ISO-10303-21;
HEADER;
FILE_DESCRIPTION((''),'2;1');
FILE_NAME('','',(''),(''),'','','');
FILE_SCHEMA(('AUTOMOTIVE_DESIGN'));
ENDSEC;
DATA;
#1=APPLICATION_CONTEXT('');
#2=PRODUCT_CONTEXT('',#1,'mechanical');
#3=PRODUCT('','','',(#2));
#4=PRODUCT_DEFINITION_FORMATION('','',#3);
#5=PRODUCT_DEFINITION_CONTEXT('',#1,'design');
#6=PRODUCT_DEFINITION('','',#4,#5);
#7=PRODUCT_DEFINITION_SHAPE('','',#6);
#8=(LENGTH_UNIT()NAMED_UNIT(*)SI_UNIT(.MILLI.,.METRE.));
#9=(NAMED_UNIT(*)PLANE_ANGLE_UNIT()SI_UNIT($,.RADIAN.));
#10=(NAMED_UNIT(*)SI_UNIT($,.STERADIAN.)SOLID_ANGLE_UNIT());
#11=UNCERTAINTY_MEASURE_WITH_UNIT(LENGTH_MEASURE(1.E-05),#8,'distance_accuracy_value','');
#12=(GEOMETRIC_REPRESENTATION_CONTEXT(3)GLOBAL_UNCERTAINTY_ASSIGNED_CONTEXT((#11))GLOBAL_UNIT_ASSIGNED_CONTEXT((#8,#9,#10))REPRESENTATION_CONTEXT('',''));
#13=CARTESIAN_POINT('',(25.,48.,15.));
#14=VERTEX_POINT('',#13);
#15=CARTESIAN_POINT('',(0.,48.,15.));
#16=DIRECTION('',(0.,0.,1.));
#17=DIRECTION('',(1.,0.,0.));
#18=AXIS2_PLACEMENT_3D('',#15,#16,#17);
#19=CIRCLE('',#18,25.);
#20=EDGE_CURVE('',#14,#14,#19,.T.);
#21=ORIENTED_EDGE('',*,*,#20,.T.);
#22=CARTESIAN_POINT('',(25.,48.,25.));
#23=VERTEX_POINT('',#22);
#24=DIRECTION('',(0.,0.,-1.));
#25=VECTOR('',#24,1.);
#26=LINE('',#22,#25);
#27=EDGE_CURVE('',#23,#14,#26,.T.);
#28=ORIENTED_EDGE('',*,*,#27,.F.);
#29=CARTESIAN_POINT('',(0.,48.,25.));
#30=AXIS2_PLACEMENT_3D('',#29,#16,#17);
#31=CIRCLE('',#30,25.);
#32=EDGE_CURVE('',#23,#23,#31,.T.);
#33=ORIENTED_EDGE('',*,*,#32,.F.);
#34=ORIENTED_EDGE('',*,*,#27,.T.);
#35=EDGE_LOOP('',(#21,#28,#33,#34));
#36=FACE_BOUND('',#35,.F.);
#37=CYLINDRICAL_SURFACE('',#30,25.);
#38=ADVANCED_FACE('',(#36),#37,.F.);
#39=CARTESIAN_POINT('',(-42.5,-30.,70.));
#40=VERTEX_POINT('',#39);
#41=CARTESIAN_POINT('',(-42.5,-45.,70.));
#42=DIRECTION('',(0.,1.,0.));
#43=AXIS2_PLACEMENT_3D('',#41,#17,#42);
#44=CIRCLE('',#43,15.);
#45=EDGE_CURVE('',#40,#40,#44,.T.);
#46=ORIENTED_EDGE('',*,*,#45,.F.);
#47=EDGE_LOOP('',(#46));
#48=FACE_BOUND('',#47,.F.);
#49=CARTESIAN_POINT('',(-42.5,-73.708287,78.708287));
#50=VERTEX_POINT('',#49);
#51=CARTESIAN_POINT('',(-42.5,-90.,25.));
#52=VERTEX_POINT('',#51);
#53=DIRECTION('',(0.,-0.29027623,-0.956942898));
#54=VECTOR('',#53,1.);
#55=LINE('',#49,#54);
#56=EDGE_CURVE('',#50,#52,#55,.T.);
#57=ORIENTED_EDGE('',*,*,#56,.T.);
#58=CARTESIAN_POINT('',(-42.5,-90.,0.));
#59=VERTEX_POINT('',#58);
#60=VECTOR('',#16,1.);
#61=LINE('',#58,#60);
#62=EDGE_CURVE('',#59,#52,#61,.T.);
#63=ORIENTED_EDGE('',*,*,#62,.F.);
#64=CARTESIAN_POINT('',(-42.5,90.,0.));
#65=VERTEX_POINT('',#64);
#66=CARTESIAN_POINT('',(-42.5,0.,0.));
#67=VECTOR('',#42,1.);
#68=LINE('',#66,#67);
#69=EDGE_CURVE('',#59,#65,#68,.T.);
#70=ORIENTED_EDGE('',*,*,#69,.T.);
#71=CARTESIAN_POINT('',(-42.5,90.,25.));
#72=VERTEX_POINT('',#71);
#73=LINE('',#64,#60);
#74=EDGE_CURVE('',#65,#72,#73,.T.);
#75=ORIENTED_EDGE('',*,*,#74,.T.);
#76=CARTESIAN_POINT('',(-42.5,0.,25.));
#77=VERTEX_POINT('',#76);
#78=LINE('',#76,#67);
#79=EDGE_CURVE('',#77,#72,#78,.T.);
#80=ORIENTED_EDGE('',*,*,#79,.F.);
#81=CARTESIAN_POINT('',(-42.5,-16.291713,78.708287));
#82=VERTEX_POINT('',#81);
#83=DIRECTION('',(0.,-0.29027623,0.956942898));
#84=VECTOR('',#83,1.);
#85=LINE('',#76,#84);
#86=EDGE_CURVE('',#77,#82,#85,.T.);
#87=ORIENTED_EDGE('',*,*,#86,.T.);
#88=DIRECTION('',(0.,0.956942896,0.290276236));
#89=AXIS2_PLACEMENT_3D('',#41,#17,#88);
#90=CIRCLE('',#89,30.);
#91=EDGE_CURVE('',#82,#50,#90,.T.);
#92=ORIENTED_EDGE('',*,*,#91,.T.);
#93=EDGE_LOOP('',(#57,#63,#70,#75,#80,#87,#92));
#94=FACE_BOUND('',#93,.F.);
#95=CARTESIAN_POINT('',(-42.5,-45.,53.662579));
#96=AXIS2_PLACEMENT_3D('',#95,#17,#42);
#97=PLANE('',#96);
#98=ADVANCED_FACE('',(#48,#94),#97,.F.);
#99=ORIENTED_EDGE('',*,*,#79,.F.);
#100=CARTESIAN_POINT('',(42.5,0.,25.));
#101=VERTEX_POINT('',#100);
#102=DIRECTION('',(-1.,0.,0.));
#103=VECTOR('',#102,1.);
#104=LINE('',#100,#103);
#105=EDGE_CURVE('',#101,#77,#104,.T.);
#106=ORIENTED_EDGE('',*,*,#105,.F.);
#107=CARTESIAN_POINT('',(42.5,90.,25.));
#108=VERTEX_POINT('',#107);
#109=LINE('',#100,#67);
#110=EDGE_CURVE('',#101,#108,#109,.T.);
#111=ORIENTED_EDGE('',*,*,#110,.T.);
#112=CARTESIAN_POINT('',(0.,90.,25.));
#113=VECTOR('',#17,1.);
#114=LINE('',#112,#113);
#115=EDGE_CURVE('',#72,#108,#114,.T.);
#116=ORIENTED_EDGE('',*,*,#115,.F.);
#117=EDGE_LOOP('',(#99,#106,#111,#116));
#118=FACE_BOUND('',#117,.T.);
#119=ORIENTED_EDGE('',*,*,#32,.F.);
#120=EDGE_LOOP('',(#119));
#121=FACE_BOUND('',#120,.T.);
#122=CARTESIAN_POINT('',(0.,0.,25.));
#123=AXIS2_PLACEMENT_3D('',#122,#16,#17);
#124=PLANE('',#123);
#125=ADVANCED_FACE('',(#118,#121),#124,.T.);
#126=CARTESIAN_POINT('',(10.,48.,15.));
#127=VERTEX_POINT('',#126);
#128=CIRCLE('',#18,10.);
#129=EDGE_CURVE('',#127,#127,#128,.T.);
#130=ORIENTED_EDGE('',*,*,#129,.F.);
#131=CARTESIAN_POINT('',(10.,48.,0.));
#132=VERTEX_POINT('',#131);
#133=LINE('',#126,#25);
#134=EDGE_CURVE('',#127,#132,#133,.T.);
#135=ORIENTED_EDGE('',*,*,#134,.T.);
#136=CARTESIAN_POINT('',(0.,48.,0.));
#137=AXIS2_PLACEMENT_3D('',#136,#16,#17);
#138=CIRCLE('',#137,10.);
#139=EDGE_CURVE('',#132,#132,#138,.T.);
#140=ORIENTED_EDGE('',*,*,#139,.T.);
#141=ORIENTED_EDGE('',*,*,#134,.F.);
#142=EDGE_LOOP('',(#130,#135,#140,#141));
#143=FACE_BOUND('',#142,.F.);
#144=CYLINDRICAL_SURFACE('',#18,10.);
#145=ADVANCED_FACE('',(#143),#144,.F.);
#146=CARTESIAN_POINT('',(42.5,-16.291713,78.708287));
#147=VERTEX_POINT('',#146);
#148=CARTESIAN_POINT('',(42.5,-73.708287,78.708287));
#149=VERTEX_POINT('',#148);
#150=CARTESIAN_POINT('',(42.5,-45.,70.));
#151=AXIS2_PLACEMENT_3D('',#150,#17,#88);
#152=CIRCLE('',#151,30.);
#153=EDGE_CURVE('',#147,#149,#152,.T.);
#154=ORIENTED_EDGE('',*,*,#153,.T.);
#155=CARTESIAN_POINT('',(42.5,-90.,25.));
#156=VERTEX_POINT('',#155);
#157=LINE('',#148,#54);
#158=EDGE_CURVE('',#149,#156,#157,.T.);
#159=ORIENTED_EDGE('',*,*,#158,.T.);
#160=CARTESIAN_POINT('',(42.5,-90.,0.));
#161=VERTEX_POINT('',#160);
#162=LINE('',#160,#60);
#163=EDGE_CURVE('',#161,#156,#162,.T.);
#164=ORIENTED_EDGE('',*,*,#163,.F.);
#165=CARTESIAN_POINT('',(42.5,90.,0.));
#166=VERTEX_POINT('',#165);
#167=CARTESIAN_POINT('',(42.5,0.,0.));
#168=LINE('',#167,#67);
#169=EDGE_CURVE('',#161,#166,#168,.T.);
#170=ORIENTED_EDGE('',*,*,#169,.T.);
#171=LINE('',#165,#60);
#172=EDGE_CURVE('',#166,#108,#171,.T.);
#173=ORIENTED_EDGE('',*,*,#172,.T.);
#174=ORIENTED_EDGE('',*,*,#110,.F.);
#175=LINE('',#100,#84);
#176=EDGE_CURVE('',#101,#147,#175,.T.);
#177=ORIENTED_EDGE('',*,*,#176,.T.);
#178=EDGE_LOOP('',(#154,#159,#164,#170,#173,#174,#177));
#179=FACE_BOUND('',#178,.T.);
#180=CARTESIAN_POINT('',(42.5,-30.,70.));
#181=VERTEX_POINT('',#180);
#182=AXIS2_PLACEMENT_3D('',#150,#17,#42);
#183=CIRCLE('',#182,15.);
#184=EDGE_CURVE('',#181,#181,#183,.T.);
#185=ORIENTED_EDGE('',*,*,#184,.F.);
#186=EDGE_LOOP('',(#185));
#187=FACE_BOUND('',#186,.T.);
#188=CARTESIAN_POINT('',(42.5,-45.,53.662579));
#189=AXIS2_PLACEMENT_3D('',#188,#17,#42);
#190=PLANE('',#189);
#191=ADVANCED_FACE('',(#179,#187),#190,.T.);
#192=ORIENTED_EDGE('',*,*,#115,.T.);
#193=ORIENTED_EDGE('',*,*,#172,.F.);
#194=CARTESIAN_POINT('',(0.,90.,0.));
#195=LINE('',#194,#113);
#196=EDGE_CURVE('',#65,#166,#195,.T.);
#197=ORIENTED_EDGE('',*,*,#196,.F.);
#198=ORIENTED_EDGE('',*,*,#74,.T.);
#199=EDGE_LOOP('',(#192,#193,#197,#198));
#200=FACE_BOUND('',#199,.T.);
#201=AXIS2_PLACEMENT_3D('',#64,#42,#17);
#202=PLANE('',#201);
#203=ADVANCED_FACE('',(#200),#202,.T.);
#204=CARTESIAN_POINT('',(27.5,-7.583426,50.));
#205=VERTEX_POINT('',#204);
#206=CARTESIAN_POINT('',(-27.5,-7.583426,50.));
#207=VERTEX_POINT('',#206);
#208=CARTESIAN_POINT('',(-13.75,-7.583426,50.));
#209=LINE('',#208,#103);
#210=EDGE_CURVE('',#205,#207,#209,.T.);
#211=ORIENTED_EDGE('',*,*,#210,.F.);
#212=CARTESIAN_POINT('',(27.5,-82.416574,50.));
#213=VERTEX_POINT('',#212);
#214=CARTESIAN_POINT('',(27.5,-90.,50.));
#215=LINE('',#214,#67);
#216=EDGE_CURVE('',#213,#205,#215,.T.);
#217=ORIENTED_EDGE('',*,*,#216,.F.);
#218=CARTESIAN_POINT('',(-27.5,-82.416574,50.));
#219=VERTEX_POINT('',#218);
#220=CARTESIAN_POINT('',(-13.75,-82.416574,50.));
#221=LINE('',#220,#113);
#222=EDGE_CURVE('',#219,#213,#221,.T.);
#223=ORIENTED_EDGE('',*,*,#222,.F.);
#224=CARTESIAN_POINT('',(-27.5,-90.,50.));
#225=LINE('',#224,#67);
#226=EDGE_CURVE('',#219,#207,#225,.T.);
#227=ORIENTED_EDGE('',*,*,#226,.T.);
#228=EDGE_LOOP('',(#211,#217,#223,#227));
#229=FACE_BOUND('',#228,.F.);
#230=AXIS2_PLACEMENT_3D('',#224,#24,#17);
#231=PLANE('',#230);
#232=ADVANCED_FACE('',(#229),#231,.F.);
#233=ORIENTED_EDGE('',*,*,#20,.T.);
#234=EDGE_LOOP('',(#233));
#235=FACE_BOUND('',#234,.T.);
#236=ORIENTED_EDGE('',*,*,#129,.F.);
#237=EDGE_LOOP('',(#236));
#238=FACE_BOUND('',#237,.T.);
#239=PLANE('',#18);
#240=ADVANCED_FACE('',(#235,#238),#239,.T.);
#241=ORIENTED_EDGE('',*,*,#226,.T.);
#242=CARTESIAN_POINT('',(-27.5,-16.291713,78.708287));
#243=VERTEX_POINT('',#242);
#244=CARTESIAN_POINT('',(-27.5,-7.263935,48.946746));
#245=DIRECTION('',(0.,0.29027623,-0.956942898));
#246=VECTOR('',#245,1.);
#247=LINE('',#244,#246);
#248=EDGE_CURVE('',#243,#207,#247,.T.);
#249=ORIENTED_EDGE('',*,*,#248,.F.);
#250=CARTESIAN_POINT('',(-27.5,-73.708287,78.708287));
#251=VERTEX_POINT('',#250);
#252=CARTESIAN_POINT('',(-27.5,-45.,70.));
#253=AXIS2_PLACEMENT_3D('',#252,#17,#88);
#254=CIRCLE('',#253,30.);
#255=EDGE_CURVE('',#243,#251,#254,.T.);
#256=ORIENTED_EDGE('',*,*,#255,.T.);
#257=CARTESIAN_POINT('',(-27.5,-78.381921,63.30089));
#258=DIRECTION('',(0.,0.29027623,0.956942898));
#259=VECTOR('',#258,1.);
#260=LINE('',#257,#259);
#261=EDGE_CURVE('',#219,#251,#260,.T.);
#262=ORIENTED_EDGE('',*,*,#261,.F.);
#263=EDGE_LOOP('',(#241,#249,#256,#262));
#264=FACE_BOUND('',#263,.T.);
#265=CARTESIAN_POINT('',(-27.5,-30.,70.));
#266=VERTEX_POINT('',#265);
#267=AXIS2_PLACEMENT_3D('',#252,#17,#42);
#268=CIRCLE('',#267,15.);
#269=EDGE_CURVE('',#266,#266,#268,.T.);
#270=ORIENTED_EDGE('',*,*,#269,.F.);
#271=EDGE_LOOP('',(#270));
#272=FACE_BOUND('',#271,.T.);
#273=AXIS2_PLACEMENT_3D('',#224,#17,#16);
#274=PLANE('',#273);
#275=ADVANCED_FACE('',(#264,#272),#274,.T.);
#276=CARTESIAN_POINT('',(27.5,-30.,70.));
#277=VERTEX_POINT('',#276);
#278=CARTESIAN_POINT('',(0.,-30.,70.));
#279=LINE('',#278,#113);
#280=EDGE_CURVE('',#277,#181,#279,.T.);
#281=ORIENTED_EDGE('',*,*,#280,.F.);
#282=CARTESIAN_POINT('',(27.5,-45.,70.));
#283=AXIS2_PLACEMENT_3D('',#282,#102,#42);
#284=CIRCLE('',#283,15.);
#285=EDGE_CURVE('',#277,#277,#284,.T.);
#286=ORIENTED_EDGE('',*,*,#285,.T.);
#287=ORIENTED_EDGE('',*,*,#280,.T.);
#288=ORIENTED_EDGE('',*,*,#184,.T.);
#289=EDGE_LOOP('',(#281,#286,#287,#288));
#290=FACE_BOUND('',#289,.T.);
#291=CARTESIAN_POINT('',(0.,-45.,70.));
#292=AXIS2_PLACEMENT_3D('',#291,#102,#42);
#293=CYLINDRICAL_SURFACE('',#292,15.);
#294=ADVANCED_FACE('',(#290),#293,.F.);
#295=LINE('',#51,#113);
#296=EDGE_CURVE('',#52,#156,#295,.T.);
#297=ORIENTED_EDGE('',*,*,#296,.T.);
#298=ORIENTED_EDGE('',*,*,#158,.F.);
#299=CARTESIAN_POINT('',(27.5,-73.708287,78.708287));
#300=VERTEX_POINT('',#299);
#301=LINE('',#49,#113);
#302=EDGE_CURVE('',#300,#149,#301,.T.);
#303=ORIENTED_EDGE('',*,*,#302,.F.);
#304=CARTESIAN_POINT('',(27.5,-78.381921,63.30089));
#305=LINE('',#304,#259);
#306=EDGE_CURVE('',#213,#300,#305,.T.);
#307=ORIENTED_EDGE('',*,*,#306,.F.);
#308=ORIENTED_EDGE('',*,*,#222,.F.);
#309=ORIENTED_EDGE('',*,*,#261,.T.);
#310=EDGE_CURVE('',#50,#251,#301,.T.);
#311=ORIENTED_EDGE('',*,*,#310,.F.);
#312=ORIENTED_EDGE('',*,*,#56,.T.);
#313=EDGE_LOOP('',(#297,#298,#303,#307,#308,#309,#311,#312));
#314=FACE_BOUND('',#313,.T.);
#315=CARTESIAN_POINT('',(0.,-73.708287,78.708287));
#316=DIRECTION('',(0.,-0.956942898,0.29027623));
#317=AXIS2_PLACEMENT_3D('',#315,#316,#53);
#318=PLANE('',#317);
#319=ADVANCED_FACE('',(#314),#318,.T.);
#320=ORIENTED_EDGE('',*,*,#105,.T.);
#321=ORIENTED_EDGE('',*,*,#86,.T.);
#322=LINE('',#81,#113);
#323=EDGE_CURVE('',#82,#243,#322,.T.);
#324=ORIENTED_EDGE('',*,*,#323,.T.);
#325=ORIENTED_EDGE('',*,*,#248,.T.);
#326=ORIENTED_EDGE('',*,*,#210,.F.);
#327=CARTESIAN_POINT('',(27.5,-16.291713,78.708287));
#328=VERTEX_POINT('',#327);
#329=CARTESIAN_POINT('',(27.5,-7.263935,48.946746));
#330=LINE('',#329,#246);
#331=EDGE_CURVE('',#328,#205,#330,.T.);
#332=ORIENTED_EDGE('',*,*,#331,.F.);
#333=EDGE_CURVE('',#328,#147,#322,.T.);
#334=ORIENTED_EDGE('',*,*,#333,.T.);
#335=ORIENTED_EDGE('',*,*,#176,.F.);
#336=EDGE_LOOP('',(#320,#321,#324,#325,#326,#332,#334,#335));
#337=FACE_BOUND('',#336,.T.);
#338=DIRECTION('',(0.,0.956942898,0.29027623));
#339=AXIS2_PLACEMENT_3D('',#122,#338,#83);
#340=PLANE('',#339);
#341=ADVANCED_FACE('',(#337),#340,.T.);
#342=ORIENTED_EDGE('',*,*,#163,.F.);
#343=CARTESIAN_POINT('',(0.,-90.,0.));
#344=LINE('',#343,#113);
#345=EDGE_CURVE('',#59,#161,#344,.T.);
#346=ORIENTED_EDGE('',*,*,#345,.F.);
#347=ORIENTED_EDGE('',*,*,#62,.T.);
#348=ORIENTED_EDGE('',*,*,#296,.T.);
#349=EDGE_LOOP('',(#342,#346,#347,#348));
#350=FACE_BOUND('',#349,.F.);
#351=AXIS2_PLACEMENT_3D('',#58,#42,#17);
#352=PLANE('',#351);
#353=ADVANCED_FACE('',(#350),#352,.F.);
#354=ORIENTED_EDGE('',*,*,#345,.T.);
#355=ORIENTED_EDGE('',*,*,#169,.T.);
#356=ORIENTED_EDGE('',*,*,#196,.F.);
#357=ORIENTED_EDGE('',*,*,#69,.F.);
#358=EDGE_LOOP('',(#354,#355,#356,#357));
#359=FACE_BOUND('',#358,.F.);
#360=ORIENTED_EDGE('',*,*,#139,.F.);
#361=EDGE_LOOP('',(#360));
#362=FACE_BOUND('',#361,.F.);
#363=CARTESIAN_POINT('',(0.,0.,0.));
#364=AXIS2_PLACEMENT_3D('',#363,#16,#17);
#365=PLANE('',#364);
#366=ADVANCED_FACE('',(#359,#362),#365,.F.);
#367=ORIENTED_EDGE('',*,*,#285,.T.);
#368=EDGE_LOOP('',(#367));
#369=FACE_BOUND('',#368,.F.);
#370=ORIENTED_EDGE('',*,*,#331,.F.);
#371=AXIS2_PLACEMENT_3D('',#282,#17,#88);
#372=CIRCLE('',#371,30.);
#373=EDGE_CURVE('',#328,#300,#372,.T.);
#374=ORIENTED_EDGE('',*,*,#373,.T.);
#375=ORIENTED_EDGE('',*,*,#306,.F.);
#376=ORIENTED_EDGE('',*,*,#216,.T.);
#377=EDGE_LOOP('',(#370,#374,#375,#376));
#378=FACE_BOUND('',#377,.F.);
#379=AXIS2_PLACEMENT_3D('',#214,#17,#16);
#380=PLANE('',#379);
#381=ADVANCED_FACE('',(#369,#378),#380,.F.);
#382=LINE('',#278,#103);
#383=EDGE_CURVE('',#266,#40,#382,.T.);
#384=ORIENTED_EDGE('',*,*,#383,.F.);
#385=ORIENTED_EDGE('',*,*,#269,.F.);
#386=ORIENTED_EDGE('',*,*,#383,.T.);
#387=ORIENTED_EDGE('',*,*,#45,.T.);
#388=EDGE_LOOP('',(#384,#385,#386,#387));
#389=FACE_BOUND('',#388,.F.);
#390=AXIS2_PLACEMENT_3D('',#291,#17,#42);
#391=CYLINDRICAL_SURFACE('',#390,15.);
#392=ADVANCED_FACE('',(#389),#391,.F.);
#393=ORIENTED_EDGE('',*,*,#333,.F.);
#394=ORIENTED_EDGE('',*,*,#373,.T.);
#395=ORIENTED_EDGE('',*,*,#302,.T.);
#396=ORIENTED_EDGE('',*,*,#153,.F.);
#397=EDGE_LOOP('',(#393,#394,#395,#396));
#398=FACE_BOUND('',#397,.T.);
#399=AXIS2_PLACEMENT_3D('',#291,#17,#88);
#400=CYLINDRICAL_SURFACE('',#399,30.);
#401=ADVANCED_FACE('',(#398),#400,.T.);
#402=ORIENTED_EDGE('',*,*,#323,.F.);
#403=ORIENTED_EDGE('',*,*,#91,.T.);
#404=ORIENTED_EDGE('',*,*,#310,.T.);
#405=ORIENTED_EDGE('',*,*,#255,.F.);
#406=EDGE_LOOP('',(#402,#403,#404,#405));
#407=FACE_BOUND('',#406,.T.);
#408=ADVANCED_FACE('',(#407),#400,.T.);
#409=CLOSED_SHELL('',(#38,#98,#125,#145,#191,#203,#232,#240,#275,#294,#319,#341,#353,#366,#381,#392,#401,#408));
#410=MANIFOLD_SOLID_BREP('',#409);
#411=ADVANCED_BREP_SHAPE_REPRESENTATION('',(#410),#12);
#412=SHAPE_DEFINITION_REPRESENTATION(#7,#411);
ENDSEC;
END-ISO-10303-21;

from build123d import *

# Parameters (mm, degrees)
F0_W          = 85
F0_H          = 180
F1_DEPTH      = 25
F2_R          = 15
F3_DEPTH      = 42.5
F3_DEPTH_BACK = 42.5
F4_W          = 55
F4_H          = 65
F5_DEPTH      = 180.001
F6_R          = 25
F7_DEPTH      = 10
F8_R          = 10
F9_DEPTH      = 15.001


with BuildPart() as f1:
    # F0 (on Top) → F1 (new body)
    with BuildSketch(Plane.XY):
        Rectangle(F0_W, F0_H)
    extrude(amount=F1_DEPTH)

    # F2 (on Right) → F3 (join, two sides)
    with BuildSketch(Plane.YZ) as f3_sk:
        with BuildLine():
            Line((0, 25), (-16.291713, 78.708287))
            ThreePointArc((-16.291713, 78.708287), (-45, 100), (-73.708287, 78.708287))
            Line((-73.708287, 78.708287), (-90, 25))
            Line((-90, 25), (0, 25))
        make_face()
        with Locations((-45, 70)):
            Circle(F2_R, mode=Mode.SUBTRACT)
    extrude(amount=F3_DEPTH)
    extrude(f3_sk.sketch, amount=-F3_DEPTH_BACK)

    # F4 (on face) → F5 (cut, through all)
    with BuildSketch(Plane.XZ.offset(90)):
        with Locations((0, 82.5)):
            Rectangle(F4_W, F4_H)
    extrude(amount=-F5_DEPTH, mode=Mode.SUBTRACT)

    # F6 (on face) → F7 (cut)
    with BuildSketch(Plane.XY.offset(25)):
        with Locations((0, 48)):
            Circle(F6_R)
    extrude(amount=-F7_DEPTH, mode=Mode.SUBTRACT)

    # F8 (on face) → F9 (cut, through all)
    with BuildSketch(Plane.XY.offset(15)):
        with Locations((0, 48)):
            Circle(F8_R)
    extrude(amount=-F9_DEPTH, mode=Mode.SUBTRACT)


solid = f1.part
